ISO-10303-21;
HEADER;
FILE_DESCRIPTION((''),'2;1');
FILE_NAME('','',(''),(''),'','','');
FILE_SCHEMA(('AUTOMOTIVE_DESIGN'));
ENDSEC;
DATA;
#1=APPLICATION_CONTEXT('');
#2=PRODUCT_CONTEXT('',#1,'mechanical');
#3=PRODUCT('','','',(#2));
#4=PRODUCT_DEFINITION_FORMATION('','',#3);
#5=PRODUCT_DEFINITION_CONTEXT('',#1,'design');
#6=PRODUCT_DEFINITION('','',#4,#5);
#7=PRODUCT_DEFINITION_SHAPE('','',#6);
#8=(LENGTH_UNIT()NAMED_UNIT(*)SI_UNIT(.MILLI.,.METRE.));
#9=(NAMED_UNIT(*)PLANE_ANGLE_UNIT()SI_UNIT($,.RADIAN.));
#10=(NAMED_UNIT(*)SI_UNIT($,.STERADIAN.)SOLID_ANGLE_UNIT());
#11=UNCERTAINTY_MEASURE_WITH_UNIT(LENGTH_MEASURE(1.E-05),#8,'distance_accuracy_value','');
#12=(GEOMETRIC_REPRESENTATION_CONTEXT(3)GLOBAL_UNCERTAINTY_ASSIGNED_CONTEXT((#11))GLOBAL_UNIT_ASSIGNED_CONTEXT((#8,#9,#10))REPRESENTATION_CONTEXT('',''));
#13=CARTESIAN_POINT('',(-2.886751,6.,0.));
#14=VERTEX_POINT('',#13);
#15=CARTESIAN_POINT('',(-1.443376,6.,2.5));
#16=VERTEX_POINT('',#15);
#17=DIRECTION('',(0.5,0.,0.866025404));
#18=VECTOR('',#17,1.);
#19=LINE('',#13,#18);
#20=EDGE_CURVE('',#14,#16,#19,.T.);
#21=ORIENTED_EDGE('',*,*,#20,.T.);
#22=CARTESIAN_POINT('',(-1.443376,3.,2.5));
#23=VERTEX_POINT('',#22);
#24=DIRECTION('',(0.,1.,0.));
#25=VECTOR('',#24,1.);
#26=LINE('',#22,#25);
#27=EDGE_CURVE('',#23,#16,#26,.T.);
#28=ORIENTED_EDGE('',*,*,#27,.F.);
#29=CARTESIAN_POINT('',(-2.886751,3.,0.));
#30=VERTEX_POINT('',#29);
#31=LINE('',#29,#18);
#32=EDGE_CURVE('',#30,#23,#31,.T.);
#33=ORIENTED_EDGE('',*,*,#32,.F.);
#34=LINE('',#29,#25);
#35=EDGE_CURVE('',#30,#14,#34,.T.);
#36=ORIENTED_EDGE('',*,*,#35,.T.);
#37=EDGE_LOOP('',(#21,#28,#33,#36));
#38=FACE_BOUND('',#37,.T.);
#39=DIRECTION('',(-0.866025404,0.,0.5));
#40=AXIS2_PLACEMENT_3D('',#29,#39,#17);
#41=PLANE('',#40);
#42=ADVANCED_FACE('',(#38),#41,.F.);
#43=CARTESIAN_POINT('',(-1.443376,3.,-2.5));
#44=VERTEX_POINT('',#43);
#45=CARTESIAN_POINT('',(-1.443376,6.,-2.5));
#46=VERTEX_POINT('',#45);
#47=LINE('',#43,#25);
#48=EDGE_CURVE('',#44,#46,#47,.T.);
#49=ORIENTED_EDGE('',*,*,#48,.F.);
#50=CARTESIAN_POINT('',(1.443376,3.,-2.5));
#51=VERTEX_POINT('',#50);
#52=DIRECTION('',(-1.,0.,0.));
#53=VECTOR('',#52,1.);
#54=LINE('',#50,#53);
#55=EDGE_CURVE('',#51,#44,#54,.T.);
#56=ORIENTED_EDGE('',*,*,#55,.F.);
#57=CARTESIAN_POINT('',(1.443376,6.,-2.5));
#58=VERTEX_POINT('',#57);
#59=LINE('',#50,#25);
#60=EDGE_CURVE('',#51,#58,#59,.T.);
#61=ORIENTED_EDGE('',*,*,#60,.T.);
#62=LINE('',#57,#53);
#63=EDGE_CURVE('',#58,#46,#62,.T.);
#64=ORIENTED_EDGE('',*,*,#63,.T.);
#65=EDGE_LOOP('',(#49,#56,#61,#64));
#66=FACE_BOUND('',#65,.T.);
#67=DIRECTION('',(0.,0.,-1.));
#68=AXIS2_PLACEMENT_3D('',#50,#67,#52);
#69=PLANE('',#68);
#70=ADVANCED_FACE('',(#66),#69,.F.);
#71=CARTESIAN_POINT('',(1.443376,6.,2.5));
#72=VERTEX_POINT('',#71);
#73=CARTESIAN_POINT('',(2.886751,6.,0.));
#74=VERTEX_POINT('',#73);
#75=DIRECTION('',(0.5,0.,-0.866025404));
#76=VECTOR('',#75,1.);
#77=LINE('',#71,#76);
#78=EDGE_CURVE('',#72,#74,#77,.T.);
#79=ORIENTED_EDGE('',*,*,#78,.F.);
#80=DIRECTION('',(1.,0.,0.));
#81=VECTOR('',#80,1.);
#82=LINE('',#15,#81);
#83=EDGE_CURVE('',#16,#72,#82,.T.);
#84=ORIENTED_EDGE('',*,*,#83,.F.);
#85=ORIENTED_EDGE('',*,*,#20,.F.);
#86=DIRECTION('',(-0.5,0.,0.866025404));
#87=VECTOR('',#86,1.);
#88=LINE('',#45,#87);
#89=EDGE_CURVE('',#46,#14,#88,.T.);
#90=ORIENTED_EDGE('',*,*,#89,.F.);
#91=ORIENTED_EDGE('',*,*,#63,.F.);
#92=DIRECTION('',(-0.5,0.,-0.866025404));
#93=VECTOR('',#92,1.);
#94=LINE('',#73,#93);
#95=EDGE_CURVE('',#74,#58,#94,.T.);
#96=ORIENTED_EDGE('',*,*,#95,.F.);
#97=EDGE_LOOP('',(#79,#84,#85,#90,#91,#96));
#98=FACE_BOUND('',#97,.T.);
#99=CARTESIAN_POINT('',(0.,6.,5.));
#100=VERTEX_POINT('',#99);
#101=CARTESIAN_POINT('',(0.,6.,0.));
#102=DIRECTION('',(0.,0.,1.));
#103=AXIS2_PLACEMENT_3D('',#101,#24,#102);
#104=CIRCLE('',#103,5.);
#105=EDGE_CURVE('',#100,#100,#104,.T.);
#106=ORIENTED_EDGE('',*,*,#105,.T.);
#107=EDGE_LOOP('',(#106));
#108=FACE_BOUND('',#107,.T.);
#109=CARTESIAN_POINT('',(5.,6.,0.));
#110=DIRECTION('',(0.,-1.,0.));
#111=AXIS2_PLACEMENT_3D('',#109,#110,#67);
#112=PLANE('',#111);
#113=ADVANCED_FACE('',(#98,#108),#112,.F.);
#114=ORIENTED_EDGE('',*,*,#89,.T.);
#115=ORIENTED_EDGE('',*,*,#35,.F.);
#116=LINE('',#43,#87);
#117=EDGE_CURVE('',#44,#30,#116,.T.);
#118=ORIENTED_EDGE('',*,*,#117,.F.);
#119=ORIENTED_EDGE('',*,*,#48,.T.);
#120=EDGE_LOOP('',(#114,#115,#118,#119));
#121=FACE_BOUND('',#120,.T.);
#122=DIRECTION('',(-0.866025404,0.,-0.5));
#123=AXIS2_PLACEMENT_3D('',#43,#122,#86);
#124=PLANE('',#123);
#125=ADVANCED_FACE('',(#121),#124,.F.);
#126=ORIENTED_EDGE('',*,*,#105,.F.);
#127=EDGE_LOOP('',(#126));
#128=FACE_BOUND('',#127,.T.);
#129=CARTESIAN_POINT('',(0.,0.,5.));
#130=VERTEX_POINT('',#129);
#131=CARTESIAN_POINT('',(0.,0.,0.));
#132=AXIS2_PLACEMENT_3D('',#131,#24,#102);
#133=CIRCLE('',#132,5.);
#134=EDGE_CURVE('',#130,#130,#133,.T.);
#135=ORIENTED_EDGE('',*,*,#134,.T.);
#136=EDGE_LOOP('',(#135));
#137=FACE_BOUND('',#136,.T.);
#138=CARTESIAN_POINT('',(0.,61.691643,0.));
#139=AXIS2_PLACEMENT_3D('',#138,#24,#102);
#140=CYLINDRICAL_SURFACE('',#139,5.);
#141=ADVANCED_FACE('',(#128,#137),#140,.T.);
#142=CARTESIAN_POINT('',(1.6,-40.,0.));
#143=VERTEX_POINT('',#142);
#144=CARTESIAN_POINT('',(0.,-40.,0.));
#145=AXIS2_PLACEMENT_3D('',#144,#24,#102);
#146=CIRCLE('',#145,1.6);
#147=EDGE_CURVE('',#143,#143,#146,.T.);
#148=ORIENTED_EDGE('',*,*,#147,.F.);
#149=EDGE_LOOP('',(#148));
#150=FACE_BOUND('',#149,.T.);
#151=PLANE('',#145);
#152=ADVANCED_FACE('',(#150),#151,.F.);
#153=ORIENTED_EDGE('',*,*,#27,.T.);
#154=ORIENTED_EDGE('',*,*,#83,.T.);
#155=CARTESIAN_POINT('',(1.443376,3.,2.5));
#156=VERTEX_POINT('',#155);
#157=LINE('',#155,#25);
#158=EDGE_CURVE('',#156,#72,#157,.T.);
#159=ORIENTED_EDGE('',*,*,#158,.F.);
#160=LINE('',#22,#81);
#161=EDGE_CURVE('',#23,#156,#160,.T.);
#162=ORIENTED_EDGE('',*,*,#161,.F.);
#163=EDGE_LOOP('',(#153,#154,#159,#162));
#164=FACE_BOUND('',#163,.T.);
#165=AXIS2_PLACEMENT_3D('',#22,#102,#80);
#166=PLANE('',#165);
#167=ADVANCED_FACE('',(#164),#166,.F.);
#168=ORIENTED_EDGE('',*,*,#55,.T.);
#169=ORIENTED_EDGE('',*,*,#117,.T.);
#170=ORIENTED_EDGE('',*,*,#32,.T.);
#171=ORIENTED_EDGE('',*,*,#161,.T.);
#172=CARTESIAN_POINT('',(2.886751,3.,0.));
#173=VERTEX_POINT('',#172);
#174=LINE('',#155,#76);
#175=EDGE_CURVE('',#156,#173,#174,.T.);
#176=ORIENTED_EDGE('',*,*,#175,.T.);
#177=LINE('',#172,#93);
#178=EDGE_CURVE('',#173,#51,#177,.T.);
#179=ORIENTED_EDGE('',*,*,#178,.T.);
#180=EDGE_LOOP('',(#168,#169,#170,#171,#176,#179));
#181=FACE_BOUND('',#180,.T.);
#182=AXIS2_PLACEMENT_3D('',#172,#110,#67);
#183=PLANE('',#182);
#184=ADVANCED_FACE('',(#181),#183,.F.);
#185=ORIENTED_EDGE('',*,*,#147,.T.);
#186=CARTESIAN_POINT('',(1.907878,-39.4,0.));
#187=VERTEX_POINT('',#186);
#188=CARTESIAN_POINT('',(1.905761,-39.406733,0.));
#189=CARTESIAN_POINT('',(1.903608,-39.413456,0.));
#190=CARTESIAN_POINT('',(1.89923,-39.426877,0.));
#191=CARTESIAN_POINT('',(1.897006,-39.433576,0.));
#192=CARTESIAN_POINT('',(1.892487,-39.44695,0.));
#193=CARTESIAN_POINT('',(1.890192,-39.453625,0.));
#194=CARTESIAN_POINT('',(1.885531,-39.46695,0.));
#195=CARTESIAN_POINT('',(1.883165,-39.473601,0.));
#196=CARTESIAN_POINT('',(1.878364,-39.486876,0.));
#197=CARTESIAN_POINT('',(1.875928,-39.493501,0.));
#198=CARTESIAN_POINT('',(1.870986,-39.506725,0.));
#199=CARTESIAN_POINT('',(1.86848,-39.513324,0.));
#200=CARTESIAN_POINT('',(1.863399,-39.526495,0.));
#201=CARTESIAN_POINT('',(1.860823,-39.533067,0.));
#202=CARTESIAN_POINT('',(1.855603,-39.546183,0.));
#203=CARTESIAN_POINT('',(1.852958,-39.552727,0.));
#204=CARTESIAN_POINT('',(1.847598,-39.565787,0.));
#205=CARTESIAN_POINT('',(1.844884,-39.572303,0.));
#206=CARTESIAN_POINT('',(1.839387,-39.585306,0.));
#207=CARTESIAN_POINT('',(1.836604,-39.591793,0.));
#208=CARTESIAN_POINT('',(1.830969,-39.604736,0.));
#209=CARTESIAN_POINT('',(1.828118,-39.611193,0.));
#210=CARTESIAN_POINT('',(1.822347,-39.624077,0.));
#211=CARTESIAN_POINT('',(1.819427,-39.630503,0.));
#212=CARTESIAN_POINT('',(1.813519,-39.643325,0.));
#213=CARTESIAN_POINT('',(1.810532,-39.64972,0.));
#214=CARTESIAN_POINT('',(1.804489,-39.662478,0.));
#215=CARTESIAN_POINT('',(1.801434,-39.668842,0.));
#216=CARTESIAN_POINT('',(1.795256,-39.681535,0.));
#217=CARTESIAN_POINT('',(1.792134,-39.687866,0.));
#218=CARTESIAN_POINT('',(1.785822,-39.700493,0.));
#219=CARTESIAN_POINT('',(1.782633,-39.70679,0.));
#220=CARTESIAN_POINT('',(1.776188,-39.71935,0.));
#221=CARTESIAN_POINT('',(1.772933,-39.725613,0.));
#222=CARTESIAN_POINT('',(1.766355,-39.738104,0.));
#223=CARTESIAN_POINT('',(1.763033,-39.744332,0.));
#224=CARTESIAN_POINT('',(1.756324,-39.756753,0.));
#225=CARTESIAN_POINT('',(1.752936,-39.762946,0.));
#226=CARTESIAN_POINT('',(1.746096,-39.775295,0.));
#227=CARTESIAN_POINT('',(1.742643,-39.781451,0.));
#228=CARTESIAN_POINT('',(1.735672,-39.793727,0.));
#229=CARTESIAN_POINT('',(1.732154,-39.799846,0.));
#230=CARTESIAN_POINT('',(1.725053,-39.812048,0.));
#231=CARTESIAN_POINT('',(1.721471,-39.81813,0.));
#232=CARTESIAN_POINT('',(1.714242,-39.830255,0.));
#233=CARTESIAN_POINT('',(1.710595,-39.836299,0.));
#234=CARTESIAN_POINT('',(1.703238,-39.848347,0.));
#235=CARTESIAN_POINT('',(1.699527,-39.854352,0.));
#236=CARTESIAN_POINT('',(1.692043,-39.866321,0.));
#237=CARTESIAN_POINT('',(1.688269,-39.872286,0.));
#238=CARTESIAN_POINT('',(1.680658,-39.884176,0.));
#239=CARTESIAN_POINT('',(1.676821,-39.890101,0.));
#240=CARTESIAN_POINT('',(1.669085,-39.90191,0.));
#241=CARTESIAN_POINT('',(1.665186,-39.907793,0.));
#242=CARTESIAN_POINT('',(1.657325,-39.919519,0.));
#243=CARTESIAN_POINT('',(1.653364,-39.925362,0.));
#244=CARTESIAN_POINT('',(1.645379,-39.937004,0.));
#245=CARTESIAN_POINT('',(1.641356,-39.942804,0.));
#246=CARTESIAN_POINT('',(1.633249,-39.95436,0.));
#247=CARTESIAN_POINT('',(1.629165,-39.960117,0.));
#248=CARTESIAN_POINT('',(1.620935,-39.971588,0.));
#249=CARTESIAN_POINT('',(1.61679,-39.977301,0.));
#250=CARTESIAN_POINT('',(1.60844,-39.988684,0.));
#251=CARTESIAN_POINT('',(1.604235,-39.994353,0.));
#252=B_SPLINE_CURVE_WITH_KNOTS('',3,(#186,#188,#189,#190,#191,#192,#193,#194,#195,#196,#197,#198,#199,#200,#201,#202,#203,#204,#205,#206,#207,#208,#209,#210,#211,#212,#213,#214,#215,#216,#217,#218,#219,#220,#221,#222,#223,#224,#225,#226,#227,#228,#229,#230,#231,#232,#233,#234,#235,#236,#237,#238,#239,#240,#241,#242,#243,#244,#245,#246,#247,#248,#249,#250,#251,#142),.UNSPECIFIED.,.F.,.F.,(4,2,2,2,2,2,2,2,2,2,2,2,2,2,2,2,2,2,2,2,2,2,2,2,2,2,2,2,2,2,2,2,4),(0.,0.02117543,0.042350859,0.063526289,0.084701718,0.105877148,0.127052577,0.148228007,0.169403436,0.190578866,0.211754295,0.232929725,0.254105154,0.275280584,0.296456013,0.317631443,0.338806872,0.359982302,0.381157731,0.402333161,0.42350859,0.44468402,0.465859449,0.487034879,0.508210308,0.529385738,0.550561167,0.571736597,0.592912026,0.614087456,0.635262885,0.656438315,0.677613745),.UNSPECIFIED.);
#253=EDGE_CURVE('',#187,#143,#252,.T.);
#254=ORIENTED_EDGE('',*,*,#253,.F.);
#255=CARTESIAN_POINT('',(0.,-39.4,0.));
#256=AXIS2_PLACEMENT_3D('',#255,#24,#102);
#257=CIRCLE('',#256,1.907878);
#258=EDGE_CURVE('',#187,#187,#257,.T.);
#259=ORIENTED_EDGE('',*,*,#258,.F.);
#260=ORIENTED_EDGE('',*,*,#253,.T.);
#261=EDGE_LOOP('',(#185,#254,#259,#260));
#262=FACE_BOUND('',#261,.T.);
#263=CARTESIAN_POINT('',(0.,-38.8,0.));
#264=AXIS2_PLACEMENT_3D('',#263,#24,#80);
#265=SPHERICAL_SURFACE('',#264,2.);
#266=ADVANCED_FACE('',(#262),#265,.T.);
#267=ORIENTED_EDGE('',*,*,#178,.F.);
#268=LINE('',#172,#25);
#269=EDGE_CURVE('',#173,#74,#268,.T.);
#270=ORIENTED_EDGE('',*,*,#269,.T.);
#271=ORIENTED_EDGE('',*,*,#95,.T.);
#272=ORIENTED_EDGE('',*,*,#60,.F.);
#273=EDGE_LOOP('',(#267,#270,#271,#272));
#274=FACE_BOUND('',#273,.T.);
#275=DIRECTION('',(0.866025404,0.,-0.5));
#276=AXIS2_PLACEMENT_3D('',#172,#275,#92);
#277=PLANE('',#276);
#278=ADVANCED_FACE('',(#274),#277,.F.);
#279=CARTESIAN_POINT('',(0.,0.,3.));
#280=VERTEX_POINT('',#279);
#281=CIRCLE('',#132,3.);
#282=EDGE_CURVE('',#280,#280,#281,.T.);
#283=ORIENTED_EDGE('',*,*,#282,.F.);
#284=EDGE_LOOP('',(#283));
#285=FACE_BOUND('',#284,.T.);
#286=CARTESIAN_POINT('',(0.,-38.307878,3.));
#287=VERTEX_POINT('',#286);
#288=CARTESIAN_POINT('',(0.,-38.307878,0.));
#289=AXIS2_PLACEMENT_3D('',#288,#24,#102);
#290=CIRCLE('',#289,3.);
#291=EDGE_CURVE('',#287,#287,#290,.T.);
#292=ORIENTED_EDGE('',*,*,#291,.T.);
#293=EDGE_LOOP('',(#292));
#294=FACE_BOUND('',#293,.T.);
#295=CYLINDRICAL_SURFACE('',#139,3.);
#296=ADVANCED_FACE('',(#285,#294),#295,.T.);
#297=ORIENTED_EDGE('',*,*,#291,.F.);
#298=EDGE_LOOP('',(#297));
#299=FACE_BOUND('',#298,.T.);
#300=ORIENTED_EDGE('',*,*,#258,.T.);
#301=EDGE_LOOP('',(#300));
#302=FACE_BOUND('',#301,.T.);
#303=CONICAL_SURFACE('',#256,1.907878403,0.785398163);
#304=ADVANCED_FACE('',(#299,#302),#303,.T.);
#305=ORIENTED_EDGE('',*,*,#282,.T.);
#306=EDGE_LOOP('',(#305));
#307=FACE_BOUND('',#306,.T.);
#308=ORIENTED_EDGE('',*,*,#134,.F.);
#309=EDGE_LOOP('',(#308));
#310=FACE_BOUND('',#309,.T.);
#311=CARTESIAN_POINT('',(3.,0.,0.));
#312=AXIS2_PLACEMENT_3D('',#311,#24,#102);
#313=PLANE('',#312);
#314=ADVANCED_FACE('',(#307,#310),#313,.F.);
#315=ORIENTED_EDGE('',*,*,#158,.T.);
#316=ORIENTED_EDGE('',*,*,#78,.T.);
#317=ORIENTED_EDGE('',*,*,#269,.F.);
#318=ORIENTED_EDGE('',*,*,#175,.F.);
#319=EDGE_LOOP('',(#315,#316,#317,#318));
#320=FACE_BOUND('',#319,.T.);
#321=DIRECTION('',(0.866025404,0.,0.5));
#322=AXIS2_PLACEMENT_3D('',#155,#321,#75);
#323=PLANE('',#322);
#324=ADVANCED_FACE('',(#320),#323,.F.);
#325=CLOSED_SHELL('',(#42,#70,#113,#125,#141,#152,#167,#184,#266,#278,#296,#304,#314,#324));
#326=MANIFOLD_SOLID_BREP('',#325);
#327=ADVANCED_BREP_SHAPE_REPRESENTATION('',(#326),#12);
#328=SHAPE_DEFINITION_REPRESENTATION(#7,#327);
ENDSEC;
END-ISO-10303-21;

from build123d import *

# Parameters (mm, degrees)
CUT_EXTRUDE1_DEPTH = 3


with BuildPart() as part:
    # Sketch1 → Revolve1 (revolve)
    with BuildSketch(Plane.XY, mode=Mode.PRIVATE) as revolve1_sk:
        with BuildLine():
            Line((0, -40), (1.6, -40))
            ThreePointArc((1.6, -40), (1.77941078, -39.713070248), (1.907878403, -39.4))
            Line((1.907878403, -39.4), (3, -38.307878403))
            Line((3, -38.307878403), (3, 0))
            Line((3, 0), (5, 0))
            Line((5, 0), (5, 6))
            Line((5, 6), (0, 6))
            Line((0, 6), (0, -40))
        make_face()
    revolve(revolve1_sk.sketch.rotate(Axis((0, 61.691642626, 0), (0, -1, 0)), 90), axis=Axis((0, 61.691642626, 0), (0, -1, 0)))

    # Sketch2 → Cut-Extrude1 (cut)
    with BuildSketch(Plane(origin=(0, 6, 0), x_dir=(-1, 0, 0), z_dir=(0, 1, 0))):
        Polygon((-1.443375673, -2.5), (1.443375673, -2.5), (2.886751346, 0), (1.443375673, 2.5), (-1.443375673, 2.5), (-2.886751346, 0), align=None)
    extrude(amount=-CUT_EXTRUDE1_DEPTH, mode=Mode.SUBTRACT)


solid = part.part
